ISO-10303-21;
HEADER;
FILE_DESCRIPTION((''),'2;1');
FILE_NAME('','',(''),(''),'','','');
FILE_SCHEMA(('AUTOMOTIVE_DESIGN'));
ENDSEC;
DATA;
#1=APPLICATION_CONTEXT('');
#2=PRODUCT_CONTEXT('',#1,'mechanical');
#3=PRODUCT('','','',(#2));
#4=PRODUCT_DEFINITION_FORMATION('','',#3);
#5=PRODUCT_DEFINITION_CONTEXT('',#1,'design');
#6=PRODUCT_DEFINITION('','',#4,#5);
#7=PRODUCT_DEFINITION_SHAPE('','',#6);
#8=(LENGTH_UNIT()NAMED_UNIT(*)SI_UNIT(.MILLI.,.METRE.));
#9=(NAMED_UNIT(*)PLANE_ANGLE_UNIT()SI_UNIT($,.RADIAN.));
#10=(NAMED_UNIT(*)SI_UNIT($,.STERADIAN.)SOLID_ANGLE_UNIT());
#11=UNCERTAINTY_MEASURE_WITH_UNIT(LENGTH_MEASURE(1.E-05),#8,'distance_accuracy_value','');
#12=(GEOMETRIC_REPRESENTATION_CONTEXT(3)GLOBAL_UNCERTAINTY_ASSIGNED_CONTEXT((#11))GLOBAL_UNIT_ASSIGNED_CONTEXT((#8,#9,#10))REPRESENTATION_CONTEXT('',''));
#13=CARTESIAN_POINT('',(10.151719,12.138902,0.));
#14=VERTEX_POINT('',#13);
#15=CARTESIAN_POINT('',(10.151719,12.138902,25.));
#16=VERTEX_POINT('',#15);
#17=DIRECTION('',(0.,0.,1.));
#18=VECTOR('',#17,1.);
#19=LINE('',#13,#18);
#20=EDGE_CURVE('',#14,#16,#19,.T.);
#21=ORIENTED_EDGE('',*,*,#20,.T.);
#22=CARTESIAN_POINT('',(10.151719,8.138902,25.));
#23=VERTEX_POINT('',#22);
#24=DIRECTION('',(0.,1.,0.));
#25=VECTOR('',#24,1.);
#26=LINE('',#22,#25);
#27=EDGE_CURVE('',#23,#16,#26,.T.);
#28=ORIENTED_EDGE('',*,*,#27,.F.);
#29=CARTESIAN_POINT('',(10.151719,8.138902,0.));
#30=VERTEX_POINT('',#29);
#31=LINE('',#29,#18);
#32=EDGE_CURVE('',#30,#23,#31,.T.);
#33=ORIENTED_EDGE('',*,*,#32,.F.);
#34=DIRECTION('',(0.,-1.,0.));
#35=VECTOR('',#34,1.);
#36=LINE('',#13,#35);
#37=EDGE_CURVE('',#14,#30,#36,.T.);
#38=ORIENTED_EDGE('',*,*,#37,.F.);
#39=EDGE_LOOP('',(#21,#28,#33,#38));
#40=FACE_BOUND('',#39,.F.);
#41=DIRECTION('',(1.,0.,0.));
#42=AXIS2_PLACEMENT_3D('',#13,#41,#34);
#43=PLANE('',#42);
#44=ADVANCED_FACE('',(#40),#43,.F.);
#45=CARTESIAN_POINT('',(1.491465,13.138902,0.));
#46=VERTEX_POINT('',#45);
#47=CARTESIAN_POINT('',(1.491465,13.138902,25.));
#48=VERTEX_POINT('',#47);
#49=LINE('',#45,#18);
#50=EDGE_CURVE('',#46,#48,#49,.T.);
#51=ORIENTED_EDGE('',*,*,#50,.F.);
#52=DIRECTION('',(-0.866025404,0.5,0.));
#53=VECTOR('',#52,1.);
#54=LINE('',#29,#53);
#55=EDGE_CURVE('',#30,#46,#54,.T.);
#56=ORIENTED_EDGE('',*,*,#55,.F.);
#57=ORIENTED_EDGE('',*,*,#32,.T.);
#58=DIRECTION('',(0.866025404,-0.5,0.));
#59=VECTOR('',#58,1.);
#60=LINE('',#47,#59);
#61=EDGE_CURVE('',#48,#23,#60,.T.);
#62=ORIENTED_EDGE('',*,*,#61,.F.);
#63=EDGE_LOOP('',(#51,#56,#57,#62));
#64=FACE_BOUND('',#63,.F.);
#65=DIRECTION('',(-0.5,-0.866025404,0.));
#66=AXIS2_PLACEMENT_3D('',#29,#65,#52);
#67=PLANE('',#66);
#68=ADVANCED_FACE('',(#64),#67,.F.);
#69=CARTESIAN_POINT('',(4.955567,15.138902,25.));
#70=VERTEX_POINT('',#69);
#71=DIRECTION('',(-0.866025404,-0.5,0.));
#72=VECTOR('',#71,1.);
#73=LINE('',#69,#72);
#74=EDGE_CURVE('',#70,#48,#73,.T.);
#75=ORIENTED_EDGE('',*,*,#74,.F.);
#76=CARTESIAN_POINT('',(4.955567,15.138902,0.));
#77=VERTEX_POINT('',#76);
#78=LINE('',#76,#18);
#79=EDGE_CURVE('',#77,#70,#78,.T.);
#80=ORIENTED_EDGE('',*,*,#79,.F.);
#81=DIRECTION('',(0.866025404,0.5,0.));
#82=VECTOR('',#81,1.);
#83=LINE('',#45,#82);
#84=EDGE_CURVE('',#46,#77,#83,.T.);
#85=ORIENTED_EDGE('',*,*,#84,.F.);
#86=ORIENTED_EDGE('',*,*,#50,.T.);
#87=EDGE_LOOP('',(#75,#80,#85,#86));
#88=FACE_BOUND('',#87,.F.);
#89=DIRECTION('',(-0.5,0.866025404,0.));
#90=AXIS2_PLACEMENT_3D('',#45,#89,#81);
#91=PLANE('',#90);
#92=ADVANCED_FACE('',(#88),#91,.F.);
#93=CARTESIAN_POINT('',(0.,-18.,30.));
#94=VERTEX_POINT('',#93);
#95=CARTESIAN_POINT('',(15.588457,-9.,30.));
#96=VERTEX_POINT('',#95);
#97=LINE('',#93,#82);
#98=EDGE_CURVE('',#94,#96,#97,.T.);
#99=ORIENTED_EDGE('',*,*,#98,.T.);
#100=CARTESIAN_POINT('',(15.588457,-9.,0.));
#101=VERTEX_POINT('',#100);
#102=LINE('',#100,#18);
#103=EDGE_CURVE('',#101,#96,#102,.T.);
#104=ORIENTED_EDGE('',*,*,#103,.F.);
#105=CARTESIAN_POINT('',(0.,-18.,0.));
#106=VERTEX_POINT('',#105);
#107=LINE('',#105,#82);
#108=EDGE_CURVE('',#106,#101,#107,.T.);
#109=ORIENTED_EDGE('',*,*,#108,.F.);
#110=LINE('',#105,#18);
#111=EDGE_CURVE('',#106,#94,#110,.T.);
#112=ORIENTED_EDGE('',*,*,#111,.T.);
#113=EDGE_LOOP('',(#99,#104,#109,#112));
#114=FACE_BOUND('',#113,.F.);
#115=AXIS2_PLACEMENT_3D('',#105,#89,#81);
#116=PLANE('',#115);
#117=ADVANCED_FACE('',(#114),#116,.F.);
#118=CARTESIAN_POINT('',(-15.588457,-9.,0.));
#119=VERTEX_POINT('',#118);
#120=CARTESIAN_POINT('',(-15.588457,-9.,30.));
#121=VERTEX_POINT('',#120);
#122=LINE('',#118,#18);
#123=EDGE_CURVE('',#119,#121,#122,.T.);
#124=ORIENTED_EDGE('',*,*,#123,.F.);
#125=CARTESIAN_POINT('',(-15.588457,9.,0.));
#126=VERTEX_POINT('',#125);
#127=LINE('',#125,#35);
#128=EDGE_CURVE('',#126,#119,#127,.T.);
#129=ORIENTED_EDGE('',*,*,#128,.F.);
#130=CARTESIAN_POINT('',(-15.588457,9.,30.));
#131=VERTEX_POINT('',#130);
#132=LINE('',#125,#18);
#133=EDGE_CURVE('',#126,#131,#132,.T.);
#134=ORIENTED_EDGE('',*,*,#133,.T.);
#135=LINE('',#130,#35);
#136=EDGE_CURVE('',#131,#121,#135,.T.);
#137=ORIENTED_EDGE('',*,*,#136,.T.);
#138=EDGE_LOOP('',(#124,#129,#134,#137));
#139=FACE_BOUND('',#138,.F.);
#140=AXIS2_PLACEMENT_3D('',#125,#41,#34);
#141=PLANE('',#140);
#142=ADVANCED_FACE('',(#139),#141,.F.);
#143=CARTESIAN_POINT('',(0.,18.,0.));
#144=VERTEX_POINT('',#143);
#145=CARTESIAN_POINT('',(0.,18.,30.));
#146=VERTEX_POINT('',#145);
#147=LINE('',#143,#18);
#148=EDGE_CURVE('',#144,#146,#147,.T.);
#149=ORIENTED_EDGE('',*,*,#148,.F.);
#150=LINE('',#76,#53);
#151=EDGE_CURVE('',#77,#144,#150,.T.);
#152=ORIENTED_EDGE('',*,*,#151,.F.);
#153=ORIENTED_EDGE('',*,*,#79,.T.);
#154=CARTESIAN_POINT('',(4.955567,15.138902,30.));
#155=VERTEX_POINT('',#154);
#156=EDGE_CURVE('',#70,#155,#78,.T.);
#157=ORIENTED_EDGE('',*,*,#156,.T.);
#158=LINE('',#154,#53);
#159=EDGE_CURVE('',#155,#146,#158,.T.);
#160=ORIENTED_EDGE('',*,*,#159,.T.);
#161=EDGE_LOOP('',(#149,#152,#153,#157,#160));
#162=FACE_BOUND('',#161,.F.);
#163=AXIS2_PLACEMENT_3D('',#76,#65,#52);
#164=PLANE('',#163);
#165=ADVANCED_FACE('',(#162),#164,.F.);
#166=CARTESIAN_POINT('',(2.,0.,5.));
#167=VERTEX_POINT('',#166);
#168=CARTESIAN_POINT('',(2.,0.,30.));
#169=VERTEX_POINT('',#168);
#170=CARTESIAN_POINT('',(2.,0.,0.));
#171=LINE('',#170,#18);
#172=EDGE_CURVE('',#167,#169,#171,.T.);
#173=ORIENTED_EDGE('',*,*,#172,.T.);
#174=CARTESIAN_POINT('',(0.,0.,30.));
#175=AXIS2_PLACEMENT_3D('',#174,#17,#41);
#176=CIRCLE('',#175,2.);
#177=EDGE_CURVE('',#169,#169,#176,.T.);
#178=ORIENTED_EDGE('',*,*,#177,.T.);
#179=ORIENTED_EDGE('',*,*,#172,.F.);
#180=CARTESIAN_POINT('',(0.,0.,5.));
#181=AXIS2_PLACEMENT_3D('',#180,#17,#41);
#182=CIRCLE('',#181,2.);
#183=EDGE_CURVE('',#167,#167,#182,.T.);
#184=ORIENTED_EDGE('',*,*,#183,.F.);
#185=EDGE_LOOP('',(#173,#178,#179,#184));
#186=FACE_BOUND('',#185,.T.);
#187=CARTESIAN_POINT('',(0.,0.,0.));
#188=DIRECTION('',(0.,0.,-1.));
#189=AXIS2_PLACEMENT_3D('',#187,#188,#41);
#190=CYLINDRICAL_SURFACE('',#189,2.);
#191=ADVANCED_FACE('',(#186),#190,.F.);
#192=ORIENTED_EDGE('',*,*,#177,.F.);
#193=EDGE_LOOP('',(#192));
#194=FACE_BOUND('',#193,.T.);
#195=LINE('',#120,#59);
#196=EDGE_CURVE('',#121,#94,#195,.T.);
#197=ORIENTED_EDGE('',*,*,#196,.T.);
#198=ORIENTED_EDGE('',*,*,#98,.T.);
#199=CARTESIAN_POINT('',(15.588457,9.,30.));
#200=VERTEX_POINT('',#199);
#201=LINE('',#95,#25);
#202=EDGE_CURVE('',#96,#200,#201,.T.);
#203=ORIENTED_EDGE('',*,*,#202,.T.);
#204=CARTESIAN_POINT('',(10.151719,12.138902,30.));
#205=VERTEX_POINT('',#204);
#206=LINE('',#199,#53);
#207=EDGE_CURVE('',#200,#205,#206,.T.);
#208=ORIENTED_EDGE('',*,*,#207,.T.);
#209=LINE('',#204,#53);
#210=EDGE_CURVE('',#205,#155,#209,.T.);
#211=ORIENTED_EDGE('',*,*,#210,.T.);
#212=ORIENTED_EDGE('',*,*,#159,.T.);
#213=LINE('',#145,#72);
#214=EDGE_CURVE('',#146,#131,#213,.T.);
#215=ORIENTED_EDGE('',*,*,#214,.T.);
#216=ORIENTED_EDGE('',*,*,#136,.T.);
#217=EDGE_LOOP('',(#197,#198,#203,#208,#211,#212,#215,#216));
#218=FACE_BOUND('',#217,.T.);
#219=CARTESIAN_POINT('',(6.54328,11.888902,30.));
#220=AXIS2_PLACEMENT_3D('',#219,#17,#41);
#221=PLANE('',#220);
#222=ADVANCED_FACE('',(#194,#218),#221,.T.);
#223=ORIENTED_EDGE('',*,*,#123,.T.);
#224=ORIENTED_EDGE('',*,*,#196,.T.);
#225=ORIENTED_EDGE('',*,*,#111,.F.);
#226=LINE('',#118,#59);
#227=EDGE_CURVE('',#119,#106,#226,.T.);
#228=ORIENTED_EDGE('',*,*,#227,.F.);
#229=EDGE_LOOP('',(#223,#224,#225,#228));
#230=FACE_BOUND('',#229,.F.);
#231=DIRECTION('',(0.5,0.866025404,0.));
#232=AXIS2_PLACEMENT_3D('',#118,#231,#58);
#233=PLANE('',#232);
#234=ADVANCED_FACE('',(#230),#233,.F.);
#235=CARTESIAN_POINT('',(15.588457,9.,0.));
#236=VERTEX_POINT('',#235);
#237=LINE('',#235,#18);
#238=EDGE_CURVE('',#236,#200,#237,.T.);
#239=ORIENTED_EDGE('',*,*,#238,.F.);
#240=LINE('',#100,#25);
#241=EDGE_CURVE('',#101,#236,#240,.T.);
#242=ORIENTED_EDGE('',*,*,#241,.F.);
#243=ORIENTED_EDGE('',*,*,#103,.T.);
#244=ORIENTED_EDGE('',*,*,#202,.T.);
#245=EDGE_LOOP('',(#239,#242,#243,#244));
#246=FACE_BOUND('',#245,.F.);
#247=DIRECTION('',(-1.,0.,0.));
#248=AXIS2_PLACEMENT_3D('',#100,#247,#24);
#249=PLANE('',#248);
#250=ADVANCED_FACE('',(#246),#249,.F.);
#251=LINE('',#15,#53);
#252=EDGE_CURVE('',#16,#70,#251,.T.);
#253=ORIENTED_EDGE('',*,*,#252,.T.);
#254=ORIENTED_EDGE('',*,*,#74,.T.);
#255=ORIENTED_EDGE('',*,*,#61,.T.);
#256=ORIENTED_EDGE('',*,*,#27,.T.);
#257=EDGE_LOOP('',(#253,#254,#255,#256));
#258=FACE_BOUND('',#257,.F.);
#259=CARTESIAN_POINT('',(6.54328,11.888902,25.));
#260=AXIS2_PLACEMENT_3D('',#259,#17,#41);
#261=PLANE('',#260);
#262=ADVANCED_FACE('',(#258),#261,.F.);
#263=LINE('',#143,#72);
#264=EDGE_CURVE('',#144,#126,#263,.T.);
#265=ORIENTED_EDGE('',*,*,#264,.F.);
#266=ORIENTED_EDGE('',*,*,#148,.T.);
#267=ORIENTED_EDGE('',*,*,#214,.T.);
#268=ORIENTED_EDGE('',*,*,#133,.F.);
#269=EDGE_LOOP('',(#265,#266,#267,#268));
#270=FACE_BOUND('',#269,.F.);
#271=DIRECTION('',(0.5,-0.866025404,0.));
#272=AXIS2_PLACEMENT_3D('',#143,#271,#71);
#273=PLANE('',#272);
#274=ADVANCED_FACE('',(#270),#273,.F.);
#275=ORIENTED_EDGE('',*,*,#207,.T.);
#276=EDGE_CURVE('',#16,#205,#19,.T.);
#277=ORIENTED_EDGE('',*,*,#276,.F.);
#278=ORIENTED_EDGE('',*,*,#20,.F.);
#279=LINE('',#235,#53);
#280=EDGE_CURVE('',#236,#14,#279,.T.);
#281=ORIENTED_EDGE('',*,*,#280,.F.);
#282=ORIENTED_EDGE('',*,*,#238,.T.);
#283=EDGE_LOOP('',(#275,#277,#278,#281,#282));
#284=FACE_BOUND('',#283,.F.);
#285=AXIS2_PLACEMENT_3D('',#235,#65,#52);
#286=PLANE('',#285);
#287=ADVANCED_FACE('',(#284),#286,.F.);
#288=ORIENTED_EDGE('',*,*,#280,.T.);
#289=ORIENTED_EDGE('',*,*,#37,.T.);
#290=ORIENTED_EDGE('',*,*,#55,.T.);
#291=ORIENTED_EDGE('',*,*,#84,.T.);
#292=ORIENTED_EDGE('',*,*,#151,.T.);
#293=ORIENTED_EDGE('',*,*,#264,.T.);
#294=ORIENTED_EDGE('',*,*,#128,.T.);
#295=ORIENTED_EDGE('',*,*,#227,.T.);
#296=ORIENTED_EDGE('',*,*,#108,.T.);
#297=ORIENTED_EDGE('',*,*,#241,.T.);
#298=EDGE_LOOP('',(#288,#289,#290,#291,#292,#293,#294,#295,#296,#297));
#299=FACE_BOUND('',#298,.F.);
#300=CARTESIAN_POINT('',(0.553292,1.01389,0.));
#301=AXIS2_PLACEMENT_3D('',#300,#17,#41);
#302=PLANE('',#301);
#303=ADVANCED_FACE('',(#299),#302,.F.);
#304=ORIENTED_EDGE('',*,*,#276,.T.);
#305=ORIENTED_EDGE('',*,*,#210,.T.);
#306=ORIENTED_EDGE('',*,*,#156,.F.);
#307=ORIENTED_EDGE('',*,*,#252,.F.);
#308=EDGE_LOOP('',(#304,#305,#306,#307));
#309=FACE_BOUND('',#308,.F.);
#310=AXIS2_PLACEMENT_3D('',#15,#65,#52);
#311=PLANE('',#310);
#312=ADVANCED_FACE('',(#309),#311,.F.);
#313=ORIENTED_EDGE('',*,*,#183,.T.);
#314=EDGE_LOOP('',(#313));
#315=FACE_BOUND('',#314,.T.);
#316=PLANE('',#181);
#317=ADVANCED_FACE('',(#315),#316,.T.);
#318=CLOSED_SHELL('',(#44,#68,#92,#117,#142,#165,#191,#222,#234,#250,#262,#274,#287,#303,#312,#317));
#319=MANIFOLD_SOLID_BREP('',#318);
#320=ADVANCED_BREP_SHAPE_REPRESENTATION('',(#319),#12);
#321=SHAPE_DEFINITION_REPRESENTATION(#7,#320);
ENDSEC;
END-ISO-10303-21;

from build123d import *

# Parameters (mm, degrees)
F0_R     = 2
F1_DEPTH = 5
F2_DEPTH = 30
F3_START = 25
F3_DEPTH = 5


with BuildPart() as f1:
    # F0 (on Top) → F1 (new body)
    with BuildSketch(Plane.XY):
        Circle(F0_R)
    extrude(amount=F1_DEPTH)

    # F0 (on Top) → F2 (join)
    with BuildSketch(Plane.XY):
        Polygon((0, 18), (-15.5884572681, 9), (-15.5884572681, -9), (0, -18), (15.5884572681, -9), (15.5884572681, 9), (10.1517191776, 12.1389022001), (10.1517191776, 8.1389022001), (1.4914651398, 13.1389022001), (4.9555667549, 15.1389022001), align=None)
        Circle(F0_R, mode=Mode.SUBTRACT)
    extrude(amount=F2_DEPTH)

    # F0 (on Top) → F3 (join)
    with BuildSketch(Plane.XY.offset(F3_START)):
        Polygon((10.1517191776, 12.1389022001), (4.9555667549, 15.1389022001), (1.4914651398, 13.1389022001), (10.1517191776, 8.1389022001), align=None)
    extrude(amount=F3_DEPTH)


solid = f1.part
